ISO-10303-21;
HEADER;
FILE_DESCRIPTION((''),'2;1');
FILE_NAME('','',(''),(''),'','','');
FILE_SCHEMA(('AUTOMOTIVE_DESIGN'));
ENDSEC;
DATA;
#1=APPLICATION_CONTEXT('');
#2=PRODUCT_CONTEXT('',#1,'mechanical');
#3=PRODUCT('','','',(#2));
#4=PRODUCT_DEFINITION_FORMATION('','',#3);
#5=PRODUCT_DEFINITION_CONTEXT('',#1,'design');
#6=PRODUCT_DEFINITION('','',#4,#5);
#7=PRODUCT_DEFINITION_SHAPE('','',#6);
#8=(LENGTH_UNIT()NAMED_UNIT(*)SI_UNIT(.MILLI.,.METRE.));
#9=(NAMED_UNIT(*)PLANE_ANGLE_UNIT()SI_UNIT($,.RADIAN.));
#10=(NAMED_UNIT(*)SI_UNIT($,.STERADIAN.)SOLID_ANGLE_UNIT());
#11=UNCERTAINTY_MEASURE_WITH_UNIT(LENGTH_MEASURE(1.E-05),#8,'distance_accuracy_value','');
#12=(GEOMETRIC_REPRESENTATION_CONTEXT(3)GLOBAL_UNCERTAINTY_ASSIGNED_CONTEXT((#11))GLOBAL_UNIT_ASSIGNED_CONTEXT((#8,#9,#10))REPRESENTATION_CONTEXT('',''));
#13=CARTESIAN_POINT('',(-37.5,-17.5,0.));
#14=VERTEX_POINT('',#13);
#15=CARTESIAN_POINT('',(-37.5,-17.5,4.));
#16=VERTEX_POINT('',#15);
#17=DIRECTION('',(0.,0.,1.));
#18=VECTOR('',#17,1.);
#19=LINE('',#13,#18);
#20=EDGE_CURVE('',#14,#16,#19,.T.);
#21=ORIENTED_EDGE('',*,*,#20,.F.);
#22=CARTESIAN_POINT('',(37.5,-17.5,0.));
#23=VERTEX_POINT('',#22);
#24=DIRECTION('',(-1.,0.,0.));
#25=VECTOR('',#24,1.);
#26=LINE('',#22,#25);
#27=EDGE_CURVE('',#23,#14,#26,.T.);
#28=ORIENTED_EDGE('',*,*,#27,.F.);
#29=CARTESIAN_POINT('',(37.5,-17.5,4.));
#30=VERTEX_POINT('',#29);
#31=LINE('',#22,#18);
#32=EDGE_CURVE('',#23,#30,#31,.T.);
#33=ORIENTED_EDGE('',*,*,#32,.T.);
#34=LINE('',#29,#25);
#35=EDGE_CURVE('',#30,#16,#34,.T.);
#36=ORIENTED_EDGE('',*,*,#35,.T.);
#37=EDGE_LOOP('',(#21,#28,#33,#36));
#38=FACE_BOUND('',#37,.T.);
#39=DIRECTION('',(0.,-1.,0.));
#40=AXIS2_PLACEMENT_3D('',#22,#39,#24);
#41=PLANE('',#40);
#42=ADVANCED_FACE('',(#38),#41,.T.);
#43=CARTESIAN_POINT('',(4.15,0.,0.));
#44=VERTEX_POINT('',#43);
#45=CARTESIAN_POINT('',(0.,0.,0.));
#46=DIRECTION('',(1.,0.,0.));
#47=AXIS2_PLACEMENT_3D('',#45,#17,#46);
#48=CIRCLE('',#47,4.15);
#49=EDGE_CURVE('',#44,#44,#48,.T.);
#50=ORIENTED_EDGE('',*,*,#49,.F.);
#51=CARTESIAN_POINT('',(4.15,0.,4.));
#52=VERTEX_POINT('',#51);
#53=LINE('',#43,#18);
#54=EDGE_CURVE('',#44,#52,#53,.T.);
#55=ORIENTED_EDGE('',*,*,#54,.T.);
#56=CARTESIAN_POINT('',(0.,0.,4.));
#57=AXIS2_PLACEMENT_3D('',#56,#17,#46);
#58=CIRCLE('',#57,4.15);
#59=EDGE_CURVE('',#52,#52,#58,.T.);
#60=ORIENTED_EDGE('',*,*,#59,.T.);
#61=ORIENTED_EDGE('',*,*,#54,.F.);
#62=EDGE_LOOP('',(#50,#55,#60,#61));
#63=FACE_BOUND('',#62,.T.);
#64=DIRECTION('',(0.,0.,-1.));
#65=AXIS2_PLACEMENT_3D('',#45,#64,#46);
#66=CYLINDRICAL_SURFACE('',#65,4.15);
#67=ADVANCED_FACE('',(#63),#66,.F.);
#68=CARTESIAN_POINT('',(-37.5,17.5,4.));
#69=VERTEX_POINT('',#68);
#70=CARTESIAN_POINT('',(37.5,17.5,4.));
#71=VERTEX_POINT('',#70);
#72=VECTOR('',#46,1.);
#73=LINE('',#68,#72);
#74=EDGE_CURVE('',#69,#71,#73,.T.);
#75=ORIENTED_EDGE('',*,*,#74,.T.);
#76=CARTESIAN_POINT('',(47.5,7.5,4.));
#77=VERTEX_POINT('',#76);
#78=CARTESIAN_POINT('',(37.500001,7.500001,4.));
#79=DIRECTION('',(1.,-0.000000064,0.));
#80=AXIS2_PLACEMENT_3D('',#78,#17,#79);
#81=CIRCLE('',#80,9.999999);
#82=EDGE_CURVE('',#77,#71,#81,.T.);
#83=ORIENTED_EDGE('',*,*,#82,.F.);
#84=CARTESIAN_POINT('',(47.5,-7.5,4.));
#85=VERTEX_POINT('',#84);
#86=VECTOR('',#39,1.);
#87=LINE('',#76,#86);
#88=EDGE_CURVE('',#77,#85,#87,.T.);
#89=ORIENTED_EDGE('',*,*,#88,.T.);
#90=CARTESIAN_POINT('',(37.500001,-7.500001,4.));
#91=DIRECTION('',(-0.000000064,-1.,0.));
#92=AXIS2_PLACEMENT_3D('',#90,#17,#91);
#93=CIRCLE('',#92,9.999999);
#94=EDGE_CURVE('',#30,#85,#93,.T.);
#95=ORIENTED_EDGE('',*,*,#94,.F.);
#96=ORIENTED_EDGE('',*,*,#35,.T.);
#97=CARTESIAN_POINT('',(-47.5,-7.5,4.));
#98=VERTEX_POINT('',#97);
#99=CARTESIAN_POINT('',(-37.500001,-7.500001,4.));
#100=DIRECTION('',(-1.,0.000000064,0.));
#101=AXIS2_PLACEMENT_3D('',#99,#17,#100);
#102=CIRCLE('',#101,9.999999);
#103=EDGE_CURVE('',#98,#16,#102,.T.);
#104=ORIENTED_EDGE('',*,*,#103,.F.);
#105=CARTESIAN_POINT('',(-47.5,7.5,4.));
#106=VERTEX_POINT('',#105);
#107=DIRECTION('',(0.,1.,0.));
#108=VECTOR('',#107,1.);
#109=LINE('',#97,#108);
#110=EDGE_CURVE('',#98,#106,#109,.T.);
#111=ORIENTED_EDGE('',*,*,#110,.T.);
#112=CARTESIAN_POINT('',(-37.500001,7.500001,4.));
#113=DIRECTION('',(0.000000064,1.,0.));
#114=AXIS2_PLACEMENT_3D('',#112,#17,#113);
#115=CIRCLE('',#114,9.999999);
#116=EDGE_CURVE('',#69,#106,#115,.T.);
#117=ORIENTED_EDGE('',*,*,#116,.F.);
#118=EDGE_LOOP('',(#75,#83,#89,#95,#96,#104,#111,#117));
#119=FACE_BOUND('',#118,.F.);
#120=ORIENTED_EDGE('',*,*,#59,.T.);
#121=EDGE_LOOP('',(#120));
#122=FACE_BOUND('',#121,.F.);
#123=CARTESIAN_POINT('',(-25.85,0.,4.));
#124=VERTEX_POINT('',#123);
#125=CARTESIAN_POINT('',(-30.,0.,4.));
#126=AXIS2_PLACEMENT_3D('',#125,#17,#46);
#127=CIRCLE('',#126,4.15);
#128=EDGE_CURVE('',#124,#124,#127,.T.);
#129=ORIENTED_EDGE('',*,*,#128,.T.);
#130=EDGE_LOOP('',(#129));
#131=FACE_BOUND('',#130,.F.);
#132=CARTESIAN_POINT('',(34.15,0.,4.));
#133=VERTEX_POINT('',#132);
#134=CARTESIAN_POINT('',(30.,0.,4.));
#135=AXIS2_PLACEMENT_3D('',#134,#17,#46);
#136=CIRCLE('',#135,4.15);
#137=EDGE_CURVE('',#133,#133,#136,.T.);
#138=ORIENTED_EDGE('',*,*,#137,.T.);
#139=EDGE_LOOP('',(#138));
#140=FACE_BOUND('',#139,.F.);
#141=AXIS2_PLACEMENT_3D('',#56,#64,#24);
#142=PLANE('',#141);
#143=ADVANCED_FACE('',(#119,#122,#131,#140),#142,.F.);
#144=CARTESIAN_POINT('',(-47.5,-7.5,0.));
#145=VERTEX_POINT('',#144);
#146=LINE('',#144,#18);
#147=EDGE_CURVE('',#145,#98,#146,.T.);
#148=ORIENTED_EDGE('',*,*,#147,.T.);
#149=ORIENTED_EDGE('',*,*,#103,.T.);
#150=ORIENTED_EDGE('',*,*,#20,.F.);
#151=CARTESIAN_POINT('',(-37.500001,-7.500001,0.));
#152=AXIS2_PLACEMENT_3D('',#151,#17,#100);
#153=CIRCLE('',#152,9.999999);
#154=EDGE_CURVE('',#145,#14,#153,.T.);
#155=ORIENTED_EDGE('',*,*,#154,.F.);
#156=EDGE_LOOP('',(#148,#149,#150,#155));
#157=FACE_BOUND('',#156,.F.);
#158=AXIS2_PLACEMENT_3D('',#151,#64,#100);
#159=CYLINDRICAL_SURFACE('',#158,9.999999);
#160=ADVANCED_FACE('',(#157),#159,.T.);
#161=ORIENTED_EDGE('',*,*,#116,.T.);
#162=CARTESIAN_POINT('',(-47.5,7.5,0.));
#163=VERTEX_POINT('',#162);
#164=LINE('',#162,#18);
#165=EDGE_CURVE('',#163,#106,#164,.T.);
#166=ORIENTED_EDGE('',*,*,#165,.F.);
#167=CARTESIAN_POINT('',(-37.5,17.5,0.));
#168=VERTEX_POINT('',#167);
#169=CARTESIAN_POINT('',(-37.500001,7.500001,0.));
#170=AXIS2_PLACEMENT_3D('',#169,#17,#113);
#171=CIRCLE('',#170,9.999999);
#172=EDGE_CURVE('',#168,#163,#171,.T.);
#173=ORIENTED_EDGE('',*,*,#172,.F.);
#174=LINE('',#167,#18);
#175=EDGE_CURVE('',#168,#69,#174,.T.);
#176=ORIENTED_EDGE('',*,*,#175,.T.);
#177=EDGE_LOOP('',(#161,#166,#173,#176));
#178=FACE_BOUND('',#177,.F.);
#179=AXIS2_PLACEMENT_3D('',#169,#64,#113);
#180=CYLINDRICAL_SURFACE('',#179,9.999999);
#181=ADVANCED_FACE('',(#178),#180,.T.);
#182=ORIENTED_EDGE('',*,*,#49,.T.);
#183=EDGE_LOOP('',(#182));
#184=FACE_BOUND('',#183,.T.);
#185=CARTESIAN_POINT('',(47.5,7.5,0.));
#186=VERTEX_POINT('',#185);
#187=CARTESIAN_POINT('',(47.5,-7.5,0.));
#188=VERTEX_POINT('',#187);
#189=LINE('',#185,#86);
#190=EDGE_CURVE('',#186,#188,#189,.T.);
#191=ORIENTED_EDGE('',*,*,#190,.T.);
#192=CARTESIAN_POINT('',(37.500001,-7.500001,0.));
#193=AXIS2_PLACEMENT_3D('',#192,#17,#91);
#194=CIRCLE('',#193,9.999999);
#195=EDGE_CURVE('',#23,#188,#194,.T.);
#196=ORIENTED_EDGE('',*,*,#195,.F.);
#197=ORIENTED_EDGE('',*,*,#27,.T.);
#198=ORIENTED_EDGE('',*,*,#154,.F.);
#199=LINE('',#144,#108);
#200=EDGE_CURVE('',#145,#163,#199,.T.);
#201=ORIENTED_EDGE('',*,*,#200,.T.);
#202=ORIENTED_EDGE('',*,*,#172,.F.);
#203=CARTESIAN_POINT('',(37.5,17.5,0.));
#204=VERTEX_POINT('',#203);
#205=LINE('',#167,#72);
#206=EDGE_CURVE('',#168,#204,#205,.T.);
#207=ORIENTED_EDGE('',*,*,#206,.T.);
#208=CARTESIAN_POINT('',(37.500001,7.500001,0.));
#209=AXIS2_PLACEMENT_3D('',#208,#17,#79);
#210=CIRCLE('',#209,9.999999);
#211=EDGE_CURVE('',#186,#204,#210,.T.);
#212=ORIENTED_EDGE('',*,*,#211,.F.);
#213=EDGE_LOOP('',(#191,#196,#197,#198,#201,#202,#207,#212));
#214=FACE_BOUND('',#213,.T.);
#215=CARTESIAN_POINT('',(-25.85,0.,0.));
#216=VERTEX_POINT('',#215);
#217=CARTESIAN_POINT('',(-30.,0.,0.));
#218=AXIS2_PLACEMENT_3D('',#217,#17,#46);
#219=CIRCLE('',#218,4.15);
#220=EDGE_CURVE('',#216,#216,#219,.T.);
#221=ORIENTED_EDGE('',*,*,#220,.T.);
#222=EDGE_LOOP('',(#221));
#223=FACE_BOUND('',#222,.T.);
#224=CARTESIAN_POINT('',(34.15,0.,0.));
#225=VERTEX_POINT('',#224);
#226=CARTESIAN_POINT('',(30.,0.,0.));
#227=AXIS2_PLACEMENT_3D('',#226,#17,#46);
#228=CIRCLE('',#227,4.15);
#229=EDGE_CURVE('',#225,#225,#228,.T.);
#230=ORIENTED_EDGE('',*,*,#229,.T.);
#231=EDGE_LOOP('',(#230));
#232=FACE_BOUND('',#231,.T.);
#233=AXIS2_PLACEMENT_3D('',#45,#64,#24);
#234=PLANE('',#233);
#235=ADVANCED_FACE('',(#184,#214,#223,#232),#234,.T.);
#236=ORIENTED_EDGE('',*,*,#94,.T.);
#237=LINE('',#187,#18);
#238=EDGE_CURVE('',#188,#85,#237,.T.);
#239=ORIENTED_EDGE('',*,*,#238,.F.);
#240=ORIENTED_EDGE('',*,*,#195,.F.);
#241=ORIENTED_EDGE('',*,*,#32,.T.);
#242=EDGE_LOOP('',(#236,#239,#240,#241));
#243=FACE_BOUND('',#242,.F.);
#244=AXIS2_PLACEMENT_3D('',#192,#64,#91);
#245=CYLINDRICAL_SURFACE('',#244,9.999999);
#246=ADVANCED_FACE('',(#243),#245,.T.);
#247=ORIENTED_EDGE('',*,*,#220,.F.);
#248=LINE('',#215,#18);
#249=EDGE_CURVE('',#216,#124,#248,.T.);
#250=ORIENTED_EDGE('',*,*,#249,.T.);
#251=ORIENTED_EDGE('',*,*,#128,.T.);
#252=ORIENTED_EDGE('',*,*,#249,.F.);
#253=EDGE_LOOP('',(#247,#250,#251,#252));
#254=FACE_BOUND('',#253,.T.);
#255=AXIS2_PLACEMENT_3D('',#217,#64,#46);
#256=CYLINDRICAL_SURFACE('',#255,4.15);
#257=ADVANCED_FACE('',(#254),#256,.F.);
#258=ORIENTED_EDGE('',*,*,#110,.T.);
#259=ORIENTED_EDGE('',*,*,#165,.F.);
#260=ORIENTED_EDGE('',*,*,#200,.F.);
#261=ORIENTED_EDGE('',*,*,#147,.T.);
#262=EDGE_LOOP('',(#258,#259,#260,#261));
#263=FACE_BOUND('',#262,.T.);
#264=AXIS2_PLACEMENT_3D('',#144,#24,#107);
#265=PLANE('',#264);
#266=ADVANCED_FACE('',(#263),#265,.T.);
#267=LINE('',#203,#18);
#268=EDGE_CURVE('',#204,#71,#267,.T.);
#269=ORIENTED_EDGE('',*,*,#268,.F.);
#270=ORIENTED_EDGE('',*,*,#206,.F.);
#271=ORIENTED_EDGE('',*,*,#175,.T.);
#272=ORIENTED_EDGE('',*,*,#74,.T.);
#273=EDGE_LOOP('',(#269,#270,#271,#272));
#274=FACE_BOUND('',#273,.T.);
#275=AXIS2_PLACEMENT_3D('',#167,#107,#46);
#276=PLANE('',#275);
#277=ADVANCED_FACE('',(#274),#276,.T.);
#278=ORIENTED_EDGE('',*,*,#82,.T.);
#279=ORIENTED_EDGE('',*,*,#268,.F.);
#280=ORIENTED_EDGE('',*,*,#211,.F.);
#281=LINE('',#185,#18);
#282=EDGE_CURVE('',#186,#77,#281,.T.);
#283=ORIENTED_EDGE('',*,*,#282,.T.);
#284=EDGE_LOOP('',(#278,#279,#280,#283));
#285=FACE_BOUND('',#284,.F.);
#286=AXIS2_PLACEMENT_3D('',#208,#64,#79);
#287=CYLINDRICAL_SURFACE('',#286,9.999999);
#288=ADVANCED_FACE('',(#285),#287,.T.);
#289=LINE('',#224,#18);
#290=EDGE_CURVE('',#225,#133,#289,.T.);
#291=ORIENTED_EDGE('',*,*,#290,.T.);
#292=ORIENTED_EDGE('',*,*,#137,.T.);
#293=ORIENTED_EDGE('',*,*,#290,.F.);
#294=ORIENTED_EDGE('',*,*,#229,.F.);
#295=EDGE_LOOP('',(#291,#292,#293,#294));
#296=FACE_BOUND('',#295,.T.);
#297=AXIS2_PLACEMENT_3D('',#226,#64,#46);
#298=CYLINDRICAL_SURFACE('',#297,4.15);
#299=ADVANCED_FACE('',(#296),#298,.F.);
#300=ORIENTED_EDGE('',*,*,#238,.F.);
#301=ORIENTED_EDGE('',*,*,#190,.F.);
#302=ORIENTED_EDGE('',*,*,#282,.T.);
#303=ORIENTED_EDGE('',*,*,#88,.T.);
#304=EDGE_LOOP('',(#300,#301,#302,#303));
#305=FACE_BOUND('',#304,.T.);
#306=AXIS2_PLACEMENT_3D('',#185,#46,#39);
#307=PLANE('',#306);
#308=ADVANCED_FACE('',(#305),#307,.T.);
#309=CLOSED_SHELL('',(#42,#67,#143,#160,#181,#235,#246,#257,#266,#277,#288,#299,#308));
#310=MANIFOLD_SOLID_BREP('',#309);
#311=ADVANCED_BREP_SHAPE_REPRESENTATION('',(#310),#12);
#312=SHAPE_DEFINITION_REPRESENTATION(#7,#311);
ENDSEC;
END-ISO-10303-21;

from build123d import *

# Parameters (mm, degrees)
SKETCH_R  = 4.15
PAD_DEPTH = 4


with BuildPart() as part:
    # Sketch → Pad (new body)
    with BuildSketch(Plane.XY):
        with BuildLine():
            Line((-37.5, 17.5), (37.5, 17.5))
            ThreePointArc((47.5, 7.5), (44.571068, 14.571068), (37.5, 17.5))
            Line((47.5, 7.5), (47.5, -7.5))
            ThreePointArc((37.5, -17.5), (44.571068, -14.571068), (47.5, -7.5))
            Line((37.5, -17.5), (-37.5, -17.5))
            ThreePointArc((-47.5, -7.5), (-44.571068, -14.571068), (-37.5, -17.5))
            Line((-47.5, -7.5), (-47.5, 7.5))
            ThreePointArc((-37.5, 17.5), (-44.571068, 14.571068), (-47.5, 7.5))
        make_face()
        Circle(SKETCH_R, mode=Mode.SUBTRACT)
        with Locations((-30, 0)):
            Circle(SKETCH_R, mode=Mode.SUBTRACT)
        with Locations((30, 0)):
            Circle(SKETCH_R, mode=Mode.SUBTRACT)
    extrude(amount=PAD_DEPTH)


solid = part.part
